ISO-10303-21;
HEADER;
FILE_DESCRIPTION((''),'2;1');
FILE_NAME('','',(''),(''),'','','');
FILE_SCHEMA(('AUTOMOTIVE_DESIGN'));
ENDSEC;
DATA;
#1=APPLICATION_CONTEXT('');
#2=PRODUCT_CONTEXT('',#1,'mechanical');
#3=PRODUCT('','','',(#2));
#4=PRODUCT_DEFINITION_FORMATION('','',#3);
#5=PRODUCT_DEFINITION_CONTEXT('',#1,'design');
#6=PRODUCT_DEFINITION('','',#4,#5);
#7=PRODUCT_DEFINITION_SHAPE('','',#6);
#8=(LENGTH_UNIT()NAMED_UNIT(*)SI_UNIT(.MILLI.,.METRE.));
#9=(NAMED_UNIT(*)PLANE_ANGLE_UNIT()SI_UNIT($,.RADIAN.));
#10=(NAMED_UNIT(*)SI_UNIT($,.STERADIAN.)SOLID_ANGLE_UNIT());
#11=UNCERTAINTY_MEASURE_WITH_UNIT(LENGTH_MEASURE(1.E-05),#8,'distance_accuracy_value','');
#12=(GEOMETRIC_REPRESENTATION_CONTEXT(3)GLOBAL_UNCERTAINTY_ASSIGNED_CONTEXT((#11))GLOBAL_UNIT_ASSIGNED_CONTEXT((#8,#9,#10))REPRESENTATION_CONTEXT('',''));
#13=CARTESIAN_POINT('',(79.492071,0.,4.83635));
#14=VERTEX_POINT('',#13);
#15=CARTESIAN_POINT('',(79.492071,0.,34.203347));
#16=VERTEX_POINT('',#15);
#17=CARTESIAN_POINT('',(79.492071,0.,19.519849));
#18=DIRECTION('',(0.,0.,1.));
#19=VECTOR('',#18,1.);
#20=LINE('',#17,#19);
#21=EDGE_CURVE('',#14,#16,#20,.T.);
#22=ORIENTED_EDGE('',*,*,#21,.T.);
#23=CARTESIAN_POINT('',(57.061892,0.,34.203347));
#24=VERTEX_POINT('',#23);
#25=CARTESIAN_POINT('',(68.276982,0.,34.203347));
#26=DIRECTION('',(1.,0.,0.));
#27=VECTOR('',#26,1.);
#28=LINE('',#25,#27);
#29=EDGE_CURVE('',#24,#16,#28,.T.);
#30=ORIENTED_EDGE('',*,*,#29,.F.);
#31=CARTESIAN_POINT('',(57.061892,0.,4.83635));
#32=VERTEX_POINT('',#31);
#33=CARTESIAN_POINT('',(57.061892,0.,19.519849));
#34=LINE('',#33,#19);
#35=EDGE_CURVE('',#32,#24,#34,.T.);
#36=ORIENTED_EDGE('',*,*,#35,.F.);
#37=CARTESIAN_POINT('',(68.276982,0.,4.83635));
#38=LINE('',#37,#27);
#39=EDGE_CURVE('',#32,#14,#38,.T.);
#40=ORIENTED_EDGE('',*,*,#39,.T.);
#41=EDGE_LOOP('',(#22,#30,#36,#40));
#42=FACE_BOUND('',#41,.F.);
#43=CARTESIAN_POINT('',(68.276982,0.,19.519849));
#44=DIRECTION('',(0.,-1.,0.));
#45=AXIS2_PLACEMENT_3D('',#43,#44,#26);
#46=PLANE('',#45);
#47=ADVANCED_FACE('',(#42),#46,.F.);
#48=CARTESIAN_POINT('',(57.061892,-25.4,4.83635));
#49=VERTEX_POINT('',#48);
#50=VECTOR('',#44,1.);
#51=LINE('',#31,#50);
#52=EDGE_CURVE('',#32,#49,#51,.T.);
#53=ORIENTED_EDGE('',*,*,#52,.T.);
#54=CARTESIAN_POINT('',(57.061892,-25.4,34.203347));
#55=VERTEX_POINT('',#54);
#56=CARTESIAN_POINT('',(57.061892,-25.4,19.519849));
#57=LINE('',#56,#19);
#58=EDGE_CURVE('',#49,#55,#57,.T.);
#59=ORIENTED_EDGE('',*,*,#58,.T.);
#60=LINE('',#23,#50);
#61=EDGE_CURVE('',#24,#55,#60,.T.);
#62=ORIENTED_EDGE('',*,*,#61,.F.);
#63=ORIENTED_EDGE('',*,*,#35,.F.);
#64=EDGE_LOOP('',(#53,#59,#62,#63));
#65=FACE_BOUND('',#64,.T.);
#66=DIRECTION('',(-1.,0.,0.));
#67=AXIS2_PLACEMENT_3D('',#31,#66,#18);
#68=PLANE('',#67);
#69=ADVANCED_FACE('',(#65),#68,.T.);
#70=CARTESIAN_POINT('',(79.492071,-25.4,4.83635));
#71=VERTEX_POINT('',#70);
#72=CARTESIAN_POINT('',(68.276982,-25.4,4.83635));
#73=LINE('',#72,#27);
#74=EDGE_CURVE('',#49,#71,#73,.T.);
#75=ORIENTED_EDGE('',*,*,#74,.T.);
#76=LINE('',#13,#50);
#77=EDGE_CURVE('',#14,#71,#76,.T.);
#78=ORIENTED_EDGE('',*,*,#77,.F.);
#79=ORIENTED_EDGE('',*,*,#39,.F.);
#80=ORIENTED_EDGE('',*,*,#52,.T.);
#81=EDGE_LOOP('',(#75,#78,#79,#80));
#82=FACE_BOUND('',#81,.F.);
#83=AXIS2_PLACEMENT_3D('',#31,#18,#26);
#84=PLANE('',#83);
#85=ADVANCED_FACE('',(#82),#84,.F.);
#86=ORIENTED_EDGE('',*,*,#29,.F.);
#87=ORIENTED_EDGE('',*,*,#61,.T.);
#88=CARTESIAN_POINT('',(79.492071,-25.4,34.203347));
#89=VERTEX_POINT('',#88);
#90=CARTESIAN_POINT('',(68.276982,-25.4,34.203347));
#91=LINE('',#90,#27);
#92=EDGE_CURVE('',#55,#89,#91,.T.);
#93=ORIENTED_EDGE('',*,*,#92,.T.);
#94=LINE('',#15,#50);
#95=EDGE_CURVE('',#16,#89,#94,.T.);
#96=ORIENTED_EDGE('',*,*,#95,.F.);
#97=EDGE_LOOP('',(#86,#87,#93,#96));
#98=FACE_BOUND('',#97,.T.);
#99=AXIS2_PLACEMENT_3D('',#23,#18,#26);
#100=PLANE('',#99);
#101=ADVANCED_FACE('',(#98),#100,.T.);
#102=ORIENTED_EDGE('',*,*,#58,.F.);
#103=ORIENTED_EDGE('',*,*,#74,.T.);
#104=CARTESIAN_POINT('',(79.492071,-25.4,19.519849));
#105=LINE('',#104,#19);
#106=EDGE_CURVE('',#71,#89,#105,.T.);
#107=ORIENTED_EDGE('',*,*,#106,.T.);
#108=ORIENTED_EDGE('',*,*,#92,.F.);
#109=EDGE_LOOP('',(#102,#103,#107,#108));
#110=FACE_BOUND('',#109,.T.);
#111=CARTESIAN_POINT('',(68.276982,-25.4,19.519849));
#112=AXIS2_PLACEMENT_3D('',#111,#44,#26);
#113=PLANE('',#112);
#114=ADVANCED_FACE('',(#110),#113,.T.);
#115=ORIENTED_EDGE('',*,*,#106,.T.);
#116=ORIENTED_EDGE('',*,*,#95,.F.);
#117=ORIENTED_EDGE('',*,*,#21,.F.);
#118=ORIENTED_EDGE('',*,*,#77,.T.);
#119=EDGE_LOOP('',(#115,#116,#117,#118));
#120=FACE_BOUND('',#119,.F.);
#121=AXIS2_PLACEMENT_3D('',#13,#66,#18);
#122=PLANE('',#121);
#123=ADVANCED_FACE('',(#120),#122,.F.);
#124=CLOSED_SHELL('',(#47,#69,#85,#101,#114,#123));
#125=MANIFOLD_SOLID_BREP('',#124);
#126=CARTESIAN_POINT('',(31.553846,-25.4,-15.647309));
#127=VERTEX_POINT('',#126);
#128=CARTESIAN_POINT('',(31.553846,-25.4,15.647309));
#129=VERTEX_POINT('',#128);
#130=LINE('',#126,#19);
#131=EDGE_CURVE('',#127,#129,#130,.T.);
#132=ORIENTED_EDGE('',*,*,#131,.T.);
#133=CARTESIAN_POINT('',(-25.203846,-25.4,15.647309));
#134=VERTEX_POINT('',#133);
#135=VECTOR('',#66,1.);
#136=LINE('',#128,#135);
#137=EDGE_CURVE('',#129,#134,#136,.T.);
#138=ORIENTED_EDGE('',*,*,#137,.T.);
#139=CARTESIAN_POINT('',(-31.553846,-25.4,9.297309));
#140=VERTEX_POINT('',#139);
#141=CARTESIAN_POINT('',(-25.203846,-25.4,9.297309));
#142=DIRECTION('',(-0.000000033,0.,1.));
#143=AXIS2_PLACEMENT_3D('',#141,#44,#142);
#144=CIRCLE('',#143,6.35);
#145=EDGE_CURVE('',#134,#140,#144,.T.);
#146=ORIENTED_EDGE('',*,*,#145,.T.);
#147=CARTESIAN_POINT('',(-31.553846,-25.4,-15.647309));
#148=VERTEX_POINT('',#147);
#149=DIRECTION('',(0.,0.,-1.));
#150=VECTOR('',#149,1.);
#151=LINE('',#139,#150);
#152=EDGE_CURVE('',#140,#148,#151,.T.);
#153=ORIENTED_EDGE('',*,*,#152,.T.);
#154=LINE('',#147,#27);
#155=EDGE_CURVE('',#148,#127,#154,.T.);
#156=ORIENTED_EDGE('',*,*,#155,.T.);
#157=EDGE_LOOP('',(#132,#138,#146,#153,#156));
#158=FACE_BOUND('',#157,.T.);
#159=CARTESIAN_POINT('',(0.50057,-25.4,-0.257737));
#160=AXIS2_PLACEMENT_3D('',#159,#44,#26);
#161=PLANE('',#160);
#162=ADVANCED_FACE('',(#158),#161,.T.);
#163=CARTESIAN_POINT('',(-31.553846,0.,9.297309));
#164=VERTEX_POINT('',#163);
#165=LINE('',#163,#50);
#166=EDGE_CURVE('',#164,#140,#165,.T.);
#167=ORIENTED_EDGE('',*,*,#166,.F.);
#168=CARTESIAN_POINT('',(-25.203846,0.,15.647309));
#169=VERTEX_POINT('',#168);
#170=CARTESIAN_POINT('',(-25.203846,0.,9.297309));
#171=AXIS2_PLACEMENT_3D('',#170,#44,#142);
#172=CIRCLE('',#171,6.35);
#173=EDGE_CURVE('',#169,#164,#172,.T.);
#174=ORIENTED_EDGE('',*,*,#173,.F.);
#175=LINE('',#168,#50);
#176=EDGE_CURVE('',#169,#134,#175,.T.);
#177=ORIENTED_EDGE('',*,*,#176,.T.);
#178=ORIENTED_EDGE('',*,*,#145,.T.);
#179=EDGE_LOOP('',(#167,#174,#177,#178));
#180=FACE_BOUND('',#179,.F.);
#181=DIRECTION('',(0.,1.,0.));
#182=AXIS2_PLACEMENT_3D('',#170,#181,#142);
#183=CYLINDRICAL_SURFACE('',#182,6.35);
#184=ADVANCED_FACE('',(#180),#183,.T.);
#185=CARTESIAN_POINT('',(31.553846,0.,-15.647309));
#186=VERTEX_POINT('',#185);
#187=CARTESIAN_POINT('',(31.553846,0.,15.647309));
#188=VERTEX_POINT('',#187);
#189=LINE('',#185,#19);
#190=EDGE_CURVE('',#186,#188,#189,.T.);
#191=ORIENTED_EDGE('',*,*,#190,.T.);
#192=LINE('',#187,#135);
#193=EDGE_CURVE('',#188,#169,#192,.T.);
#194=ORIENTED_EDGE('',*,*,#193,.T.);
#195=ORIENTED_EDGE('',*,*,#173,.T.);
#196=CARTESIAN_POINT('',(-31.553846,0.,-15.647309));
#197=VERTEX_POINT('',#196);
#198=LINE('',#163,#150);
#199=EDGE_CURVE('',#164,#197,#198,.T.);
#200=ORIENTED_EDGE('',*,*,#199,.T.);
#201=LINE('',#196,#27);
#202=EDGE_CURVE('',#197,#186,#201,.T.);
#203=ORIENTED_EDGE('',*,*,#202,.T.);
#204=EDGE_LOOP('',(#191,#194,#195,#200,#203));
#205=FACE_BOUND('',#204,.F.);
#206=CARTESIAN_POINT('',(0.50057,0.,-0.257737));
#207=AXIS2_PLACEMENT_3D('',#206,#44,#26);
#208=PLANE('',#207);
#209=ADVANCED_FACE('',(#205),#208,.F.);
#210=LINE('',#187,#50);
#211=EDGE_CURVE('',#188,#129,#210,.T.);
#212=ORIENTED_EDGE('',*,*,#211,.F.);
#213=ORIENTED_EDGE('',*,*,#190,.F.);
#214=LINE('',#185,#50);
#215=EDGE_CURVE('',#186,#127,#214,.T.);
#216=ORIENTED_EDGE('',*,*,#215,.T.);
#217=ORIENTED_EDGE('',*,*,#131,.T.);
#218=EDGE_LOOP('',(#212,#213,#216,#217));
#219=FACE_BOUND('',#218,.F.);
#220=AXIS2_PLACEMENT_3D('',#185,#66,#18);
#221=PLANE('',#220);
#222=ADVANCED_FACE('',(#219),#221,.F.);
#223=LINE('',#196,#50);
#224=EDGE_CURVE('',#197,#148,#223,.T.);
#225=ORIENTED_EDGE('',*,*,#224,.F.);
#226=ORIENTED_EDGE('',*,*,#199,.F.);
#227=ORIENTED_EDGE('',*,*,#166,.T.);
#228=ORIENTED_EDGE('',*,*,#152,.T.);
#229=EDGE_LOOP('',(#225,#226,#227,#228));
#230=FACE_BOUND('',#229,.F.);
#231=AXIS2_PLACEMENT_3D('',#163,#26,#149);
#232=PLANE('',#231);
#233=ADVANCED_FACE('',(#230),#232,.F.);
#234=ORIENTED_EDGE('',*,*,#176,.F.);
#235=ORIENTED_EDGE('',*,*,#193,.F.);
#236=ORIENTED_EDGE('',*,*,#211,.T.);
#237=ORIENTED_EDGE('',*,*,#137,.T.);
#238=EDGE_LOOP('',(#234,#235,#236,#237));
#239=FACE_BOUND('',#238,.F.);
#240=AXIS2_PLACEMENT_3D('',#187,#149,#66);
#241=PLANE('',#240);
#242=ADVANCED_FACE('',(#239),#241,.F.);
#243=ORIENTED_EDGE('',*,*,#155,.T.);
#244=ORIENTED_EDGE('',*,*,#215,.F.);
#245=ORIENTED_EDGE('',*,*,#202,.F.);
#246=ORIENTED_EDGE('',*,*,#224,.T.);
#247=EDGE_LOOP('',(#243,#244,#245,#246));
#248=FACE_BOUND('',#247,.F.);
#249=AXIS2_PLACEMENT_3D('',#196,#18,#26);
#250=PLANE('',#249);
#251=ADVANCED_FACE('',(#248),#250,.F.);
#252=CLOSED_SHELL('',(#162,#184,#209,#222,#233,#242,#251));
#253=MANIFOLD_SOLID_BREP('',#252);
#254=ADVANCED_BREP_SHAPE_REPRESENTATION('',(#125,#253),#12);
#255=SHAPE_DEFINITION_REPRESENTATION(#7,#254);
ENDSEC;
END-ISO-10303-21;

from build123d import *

# Parameters (mm, degrees)
F0_W     = 22.430179
F0_H     = 29.366997
F1_DEPTH = 25.4


with BuildPart() as f1:
    # F0 (on Front) → F1 (new body)
    with BuildSketch(Plane.XZ):
        with BuildLine():
            Line((31.553846, -15.647309), (31.553846, 15.647309))
            Line((31.553846, 15.647309), (-25.203846, 15.647309))
            ThreePointArc((-25.203846, 15.647309), (-29.693974, 13.787437), (-31.553846, 9.297309))
            Line((-31.553846, 9.297309), (-31.553846, -15.647309))
            Line((-31.553846, -15.647309), (31.553846, -15.647309))
        make_face()
        with Locations((68.276982, 19.519849)):
            Rectangle(F0_W, F0_H)
    extrude(amount=F1_DEPTH)


solid = f1.part
